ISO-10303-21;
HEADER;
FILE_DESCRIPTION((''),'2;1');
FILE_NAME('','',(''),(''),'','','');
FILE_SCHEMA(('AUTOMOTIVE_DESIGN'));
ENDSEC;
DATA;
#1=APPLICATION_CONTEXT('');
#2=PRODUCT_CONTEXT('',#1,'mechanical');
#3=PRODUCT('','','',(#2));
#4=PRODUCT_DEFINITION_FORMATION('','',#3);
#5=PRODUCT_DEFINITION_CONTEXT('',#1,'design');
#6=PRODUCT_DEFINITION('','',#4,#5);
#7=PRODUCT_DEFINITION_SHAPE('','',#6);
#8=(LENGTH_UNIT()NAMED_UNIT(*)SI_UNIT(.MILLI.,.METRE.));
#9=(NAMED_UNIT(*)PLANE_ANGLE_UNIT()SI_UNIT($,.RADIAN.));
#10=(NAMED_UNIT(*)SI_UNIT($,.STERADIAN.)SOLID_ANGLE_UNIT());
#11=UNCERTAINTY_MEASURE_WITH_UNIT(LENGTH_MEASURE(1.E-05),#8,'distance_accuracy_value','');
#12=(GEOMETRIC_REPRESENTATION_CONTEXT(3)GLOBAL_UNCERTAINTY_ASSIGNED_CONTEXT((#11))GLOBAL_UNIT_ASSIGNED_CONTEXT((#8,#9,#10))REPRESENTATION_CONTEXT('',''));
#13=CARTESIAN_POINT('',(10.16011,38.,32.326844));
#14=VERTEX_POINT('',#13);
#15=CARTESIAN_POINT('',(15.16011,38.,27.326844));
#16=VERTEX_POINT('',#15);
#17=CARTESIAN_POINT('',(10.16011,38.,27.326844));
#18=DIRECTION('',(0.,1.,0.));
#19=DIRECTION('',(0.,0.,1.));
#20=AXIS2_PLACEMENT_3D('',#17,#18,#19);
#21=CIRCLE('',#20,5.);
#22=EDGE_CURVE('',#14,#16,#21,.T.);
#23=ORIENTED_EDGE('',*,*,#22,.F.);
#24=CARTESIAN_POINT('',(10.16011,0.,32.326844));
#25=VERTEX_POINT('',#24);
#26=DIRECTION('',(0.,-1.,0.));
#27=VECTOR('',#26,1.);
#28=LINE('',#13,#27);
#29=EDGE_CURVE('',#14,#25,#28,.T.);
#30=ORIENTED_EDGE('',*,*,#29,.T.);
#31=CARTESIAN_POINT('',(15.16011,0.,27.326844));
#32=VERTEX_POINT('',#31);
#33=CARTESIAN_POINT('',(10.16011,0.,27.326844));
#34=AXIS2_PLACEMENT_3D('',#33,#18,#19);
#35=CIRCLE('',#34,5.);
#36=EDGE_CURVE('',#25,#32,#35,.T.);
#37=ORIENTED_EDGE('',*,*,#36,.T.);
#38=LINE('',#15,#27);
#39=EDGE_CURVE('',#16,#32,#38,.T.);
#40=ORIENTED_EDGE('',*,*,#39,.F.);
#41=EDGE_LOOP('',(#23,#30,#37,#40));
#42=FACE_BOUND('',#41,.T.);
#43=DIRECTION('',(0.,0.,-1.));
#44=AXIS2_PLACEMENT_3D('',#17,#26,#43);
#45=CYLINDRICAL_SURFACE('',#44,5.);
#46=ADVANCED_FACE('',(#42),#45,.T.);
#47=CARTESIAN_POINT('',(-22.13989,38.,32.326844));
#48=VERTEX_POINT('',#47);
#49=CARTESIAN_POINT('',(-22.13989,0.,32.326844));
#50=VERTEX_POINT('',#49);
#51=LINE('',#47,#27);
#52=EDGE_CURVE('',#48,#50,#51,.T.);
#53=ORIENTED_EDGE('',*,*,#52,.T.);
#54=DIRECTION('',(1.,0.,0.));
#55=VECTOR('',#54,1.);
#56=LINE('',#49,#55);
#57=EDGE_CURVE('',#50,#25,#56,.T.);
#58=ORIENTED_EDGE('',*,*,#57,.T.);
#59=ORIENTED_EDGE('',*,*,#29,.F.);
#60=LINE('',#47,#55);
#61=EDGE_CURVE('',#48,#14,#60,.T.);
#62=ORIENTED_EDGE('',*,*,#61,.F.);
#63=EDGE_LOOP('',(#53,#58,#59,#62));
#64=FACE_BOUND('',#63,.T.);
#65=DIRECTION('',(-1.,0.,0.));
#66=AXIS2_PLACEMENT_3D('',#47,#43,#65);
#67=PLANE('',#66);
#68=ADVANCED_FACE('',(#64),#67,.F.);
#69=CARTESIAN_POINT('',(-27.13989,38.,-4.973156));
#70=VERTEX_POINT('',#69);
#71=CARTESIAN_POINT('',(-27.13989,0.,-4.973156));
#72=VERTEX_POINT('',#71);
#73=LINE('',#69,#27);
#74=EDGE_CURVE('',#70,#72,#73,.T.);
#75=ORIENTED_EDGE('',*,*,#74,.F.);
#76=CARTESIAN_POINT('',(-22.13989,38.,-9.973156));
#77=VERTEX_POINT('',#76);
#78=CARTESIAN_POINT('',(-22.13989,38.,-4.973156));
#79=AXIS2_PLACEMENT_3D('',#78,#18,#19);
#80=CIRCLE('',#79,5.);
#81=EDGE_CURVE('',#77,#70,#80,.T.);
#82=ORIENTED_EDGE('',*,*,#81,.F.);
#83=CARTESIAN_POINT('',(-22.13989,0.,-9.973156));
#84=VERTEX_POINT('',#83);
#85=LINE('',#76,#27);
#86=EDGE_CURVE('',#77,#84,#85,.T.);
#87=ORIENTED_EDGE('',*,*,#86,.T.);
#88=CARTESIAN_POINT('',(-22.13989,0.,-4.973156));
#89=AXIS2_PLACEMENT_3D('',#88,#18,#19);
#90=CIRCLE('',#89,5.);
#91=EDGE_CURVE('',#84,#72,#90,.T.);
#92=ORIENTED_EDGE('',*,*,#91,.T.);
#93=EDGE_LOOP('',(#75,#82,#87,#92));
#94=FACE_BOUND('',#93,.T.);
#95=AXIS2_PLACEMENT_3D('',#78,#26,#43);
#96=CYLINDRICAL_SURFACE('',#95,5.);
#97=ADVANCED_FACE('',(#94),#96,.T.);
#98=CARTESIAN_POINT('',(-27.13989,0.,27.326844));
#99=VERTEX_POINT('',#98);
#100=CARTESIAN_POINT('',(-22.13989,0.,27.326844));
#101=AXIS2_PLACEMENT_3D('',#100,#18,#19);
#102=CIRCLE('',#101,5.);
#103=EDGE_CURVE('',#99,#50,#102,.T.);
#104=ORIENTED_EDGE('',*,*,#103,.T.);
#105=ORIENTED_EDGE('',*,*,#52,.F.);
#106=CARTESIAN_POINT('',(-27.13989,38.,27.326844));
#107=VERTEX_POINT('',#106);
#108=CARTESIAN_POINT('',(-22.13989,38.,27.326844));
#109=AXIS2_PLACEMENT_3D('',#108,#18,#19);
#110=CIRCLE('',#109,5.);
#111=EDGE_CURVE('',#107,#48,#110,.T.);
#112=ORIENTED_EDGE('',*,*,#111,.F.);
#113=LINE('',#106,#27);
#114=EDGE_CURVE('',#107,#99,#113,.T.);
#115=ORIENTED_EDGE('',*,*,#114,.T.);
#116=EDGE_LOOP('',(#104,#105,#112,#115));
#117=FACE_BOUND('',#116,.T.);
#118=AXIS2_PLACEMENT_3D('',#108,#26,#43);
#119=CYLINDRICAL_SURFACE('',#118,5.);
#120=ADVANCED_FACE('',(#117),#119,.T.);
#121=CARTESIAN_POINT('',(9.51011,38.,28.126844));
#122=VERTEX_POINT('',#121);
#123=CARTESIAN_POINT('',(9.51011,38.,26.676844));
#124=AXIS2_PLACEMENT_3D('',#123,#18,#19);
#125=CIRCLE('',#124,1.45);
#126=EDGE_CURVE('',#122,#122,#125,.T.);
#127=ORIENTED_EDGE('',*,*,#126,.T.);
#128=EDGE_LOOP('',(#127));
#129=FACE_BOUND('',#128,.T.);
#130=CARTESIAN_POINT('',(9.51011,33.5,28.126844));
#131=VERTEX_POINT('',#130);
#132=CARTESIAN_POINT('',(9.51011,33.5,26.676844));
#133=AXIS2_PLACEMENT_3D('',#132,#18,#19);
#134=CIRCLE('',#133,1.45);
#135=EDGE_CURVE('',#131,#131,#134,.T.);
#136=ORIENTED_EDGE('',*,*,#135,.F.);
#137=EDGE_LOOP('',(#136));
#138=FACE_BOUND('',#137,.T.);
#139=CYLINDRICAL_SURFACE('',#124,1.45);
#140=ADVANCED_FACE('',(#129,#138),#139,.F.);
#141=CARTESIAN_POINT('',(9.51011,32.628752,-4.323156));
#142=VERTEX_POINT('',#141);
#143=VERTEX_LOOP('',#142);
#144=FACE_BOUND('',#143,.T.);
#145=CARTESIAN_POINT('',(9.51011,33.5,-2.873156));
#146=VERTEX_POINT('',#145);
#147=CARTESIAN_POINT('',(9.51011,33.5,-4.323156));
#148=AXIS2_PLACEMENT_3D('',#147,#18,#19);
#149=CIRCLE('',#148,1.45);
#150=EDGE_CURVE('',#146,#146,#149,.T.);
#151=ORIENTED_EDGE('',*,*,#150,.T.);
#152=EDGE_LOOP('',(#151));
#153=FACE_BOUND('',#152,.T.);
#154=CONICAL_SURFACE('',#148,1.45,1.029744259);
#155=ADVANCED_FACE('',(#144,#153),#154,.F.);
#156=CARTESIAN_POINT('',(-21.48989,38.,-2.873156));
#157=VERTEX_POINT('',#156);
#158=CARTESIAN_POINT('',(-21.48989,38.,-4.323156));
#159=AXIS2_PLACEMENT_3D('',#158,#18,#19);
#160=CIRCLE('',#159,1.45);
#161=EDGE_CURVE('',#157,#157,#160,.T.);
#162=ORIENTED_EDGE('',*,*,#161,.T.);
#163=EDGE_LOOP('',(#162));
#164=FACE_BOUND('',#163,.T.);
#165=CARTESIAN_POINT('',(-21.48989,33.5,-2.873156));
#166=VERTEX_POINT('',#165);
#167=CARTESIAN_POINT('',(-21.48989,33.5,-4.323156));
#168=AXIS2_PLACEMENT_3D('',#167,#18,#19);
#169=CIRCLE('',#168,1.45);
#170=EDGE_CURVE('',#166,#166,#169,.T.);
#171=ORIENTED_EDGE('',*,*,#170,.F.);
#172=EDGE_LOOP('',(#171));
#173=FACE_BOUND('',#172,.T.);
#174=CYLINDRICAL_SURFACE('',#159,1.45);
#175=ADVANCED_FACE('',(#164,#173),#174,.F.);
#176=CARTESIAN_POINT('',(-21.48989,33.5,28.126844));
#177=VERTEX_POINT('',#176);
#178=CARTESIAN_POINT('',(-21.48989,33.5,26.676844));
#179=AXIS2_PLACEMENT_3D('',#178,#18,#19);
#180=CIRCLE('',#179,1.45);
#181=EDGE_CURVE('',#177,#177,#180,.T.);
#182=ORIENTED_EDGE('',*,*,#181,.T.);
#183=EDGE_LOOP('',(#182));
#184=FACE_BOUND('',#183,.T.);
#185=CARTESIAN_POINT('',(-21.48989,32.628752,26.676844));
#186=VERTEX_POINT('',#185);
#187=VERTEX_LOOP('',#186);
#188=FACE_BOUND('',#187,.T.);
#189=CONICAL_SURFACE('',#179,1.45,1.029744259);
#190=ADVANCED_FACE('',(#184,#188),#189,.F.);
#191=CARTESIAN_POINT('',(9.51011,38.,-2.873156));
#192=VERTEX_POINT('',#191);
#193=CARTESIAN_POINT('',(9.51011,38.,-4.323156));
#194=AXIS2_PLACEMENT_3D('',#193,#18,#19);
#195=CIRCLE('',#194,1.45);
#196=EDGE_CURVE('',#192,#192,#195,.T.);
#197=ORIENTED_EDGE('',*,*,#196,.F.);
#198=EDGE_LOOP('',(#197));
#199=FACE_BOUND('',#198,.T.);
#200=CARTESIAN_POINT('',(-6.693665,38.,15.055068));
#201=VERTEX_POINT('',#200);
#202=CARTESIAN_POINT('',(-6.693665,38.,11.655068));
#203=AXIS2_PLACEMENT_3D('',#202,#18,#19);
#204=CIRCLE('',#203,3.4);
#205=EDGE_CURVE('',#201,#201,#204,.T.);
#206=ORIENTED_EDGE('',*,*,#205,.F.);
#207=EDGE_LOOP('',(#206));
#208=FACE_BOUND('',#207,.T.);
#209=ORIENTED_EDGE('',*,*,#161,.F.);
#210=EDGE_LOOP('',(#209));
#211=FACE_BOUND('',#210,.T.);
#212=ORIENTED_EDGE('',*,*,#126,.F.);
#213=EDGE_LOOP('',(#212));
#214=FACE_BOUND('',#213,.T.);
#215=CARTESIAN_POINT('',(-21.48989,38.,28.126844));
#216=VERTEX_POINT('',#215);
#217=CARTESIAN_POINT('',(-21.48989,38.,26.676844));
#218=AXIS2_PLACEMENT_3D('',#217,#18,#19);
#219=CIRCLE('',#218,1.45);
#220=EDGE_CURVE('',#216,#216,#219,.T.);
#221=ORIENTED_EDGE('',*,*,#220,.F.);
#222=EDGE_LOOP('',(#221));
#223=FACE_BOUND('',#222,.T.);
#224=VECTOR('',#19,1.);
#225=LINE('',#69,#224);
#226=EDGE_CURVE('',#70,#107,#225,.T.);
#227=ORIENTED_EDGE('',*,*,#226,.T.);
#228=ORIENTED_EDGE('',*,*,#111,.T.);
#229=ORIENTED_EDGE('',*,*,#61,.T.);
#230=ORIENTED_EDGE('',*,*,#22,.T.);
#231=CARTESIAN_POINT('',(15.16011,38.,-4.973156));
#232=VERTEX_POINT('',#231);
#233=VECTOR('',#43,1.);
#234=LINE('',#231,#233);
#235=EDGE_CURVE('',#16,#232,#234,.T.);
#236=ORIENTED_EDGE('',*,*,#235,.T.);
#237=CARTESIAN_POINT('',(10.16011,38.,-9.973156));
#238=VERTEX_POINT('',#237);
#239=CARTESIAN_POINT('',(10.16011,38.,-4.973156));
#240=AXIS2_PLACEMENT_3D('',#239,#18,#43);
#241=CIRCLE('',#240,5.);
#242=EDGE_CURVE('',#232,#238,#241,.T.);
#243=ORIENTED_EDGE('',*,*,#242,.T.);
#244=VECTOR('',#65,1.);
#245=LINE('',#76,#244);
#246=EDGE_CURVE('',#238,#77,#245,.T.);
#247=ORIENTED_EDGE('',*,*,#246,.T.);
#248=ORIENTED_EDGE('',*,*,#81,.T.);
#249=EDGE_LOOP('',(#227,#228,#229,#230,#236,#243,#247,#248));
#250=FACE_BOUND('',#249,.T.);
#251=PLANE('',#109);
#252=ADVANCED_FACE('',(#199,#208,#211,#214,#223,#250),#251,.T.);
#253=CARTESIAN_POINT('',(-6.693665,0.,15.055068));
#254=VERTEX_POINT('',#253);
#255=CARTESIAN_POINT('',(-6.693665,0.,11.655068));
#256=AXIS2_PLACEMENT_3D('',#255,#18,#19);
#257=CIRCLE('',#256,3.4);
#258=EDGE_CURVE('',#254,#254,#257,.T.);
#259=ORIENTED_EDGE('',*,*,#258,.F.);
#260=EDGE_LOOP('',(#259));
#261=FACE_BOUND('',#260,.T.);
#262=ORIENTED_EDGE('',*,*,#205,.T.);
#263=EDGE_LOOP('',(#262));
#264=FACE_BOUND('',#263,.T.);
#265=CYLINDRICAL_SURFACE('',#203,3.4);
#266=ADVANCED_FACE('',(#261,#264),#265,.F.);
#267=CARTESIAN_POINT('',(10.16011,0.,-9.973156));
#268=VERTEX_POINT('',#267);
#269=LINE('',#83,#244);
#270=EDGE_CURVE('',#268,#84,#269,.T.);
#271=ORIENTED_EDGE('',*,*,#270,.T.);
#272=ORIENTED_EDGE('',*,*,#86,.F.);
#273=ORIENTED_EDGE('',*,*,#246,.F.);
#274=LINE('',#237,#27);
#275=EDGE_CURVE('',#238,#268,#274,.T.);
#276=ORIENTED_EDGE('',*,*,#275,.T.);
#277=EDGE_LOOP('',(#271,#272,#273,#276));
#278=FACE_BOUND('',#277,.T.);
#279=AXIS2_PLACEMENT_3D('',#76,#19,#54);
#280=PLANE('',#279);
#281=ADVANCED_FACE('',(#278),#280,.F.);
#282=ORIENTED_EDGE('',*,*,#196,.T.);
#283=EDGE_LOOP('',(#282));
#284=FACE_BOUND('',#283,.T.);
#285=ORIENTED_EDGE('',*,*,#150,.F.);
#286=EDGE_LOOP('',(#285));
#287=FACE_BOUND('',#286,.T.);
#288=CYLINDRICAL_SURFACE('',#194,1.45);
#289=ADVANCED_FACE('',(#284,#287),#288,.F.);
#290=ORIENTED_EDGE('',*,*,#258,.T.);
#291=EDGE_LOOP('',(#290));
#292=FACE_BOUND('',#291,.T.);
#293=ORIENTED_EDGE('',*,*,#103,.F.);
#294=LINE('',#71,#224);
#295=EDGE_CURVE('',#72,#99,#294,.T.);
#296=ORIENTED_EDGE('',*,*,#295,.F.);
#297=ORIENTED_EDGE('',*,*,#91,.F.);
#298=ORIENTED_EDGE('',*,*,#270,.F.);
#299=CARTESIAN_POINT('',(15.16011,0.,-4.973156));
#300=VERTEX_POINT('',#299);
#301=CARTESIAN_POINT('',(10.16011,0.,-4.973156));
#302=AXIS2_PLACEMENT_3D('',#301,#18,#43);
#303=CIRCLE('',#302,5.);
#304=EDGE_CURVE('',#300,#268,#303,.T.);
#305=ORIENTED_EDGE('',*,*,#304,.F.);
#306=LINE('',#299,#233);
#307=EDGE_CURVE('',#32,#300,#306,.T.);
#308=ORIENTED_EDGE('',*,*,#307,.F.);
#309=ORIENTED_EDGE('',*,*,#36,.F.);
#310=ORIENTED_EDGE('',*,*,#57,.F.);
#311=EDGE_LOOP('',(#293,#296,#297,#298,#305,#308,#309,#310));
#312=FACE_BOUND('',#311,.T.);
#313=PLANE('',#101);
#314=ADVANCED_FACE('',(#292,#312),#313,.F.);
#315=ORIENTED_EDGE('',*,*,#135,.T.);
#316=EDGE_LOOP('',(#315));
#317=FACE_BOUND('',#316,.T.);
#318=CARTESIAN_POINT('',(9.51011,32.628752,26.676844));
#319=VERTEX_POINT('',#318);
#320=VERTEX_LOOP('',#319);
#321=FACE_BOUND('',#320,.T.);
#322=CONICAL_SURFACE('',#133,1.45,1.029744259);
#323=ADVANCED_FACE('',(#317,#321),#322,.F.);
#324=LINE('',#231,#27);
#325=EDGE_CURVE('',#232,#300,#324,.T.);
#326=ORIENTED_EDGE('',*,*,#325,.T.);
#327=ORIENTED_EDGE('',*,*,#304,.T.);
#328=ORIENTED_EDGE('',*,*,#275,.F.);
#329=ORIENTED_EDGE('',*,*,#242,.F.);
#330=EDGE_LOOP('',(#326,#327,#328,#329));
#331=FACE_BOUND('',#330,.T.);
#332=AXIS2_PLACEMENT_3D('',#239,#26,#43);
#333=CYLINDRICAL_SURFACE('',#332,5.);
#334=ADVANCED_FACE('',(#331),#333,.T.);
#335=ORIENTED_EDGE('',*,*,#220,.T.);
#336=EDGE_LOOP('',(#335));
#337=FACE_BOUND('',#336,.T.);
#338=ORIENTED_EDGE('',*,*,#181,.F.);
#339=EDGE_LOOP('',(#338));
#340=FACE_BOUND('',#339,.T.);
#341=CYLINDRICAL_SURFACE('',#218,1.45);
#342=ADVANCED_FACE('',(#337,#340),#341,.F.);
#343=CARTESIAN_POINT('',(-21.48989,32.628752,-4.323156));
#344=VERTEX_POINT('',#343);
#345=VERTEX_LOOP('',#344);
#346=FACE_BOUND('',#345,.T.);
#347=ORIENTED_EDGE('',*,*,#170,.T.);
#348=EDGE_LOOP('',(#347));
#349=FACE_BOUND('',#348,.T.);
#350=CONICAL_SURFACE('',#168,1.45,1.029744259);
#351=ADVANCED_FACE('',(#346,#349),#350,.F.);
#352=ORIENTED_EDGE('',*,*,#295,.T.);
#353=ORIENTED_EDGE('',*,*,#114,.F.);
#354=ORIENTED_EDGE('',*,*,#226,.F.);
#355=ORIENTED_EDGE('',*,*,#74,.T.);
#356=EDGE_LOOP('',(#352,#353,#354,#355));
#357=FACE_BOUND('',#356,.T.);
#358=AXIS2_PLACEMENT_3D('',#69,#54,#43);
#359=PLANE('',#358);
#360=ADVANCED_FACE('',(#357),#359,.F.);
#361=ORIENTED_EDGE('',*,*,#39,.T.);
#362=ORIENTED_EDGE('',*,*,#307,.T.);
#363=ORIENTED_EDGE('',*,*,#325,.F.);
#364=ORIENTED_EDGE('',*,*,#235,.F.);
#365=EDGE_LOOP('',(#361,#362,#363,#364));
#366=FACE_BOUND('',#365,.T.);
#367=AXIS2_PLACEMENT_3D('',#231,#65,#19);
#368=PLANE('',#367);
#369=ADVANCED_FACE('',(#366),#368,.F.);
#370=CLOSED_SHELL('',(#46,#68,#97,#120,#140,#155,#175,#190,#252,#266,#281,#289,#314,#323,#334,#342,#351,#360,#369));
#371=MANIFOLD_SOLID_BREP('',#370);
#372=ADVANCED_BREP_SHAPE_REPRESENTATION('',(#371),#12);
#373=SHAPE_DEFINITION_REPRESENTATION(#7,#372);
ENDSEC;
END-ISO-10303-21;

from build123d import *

# Parameters (mm, degrees)
BOSS_EXTRUDE1_DEPTH         = 38
M3_5X0_6_TAPPED_HOLE2_D     = 2.9
M3_5X0_6_TAPPED_HOLE2_DEPTH = 4.5
M3_5X0_6_TAPPED_HOLE2_TIP   = 0.871247898
M8_TAPPED_HOLE1_D           = 6.8


with BuildPart() as part:
    # Sketch2 → Boss-Extrude1 (new body)
    with BuildSketch(Plane(origin=(0, 0, 0), x_dir=(1, 0, 0), z_dir=(0, 1, 0))):
        with BuildLine():
            Line((-22.139889534, 9.97315624), (10.160110466, 9.97315624))
            ThreePointArc((10.160110466, 9.97315624), (13.695644372, 8.508690146), (15.160110466, 4.97315624))
            Line((15.160110466, 4.97315624), (15.160110466, -27.32684376))
            ThreePointArc((15.160110466, -27.32684376), (13.695644372, -30.862377666), (10.160110466, -32.32684376))
            Line((10.160110466, -32.32684376), (-22.139889534, -32.32684376))
            ThreePointArc((-22.139889534, -32.32684376), (-25.67542344, -30.862377666), (-27.139889534, -27.32684376))
            Line((-27.139889534, -27.32684376), (-27.139889534, 4.97315624))
            ThreePointArc((-27.139889534, 4.97315624), (-25.67542344, 8.508690146), (-22.139889534, 9.97315624))
        make_face()
    extrude(amount=BOSS_EXTRUDE1_DEPTH)

    # M3.5x0.6 Tapped Hole2
    with Locations(Plane(origin=(-21.489889534, 38, 26.67684376), x_dir=(0, 0, 1), z_dir=(0, 1, 0))):
        with Locations((0, 0), (-31, 0), (-31, 31), (0, 31)):
            Hole(M3_5X0_6_TAPPED_HOLE2_D / 2, depth=M3_5X0_6_TAPPED_HOLE2_DEPTH)
            with Locations((0, 0, -(M3_5X0_6_TAPPED_HOLE2_DEPTH + M3_5X0_6_TAPPED_HOLE2_TIP / 2))):  # 118° drill point
                Cone(0, M3_5X0_6_TAPPED_HOLE2_D / 2, M3_5X0_6_TAPPED_HOLE2_TIP, mode=Mode.SUBTRACT)

    # M8 Tapped Hole1 (through all)
    with Locations(Plane(origin=(-6.693665392, 38, 11.655067781), x_dir=(0, 0, 1), z_dir=(0, 1, 0))):
        with Locations((0, 0)):
            Hole(M8_TAPPED_HOLE1_D / 2)


solid = part.part
